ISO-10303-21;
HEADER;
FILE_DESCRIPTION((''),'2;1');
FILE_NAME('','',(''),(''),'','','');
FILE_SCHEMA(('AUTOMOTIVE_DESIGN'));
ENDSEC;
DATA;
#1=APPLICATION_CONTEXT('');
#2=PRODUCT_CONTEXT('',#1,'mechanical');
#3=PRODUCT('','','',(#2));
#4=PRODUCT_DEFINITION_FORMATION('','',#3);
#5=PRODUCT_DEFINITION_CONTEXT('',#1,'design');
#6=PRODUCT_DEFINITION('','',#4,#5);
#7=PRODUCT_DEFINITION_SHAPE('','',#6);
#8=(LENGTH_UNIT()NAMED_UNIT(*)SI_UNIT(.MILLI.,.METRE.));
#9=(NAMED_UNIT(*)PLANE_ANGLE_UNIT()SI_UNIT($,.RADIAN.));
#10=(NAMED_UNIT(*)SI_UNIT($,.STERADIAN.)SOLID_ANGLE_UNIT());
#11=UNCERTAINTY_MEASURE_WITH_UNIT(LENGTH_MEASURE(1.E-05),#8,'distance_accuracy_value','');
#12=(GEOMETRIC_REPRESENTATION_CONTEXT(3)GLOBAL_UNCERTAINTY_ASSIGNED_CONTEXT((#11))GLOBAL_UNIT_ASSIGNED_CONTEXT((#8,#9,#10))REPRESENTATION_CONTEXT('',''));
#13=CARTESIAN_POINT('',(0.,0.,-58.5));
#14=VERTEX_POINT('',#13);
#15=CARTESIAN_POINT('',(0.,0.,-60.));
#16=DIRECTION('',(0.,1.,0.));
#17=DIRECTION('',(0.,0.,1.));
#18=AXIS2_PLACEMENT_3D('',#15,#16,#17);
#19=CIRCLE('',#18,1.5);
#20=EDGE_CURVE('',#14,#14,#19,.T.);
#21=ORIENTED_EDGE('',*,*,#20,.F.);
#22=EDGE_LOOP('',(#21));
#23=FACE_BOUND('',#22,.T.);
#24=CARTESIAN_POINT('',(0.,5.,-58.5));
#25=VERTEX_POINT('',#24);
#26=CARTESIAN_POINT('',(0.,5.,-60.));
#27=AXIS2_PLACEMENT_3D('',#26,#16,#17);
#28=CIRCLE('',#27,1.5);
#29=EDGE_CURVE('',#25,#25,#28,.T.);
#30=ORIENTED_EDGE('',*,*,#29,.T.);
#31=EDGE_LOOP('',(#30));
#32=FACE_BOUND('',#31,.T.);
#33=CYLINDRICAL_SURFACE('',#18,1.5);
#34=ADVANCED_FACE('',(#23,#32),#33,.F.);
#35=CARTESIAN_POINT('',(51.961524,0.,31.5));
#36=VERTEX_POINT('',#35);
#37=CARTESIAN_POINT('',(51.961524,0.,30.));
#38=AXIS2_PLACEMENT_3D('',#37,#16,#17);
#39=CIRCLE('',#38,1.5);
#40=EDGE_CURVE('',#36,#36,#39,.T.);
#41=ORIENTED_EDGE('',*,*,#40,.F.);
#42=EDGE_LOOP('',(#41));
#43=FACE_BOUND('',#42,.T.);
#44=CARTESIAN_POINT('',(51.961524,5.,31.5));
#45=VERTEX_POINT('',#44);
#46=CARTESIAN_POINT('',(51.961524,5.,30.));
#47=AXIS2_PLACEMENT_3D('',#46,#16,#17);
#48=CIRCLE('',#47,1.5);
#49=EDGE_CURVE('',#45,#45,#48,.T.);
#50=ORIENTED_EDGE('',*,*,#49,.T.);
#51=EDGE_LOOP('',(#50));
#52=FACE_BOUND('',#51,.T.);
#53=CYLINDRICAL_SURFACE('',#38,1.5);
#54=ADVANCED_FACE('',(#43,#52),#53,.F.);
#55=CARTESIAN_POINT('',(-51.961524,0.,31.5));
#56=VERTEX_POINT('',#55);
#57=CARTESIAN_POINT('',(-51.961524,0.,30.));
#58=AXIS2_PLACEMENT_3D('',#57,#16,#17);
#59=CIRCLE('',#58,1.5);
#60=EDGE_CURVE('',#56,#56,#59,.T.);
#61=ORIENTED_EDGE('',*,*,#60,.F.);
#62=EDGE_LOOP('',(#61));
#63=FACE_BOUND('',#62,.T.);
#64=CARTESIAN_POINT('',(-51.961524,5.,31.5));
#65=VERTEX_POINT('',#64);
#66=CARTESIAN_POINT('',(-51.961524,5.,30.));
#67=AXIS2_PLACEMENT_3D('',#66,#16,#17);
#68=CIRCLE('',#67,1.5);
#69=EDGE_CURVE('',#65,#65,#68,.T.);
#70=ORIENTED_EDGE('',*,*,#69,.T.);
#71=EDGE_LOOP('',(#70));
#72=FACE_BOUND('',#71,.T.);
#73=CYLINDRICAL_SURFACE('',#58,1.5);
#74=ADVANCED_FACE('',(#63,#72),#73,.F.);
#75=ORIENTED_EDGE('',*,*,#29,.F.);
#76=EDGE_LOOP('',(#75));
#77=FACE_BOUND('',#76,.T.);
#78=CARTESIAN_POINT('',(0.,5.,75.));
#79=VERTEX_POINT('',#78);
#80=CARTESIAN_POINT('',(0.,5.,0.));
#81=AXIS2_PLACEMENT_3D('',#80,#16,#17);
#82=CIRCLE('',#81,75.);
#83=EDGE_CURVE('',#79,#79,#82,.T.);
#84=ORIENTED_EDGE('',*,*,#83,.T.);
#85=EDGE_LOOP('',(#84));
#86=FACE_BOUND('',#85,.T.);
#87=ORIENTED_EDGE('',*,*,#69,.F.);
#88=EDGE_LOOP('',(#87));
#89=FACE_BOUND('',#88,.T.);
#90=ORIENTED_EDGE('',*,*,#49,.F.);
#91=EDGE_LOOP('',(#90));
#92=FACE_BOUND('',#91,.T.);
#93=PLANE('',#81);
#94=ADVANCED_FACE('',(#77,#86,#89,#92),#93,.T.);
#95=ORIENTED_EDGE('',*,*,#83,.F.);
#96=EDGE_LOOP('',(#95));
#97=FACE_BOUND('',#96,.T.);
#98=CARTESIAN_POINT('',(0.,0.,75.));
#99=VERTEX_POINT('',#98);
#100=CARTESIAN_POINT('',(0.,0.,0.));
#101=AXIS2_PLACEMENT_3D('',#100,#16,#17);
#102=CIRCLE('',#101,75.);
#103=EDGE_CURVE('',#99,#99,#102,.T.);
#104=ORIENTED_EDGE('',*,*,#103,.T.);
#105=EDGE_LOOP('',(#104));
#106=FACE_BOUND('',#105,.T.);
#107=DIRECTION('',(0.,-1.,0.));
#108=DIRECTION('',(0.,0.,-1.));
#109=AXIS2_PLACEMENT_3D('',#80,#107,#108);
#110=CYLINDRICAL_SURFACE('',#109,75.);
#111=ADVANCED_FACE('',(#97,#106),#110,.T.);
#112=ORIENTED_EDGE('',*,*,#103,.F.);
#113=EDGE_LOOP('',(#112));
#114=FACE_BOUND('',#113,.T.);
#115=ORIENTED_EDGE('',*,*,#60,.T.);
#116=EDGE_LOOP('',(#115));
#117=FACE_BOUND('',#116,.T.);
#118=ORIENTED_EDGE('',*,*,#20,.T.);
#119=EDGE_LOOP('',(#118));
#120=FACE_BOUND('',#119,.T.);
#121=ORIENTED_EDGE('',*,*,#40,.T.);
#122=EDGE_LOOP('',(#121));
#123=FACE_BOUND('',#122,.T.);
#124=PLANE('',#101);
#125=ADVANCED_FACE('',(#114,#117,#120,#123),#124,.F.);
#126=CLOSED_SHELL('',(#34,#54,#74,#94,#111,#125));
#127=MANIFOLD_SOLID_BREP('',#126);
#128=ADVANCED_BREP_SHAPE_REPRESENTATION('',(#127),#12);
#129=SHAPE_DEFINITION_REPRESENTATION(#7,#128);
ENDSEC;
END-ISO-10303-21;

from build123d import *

# Parameters (mm, degrees)
SKETCH1_R           = 75
BOSS_EXTRUDE1_DEPTH = 5
SKETCH2_R           = 1.5
CUT_EXTRUDE1_DEPTH  = 107.183802908


with BuildPart() as part:
    # Sketch1 → Boss-Extrude1 (new body)
    with BuildSketch(Plane(origin=(0, 0, 0), x_dir=(1, 0, 0), z_dir=(0, 1, 0))):
        with Locations(Location((0, 0, 0), (0, 0, 270))):
            Circle(SKETCH1_R)
    extrude(amount=BOSS_EXTRUDE1_DEPTH)

    # Sketch2 → Cut-Extrude1 (cut, through all)
    with BuildSketch(Plane(origin=(0, 5, 0), x_dir=(1, 0, 0), z_dir=(0, 1, 0))):
        with Locations(Location((0, 60, 0), (0, 0, 270))):
            Circle(SKETCH2_R)
        with Locations(Location((51.961524227, -30, 0), (0, 0, 270))):
            Circle(SKETCH2_R)
        with Locations(Location((-51.961524227, -30, 0), (0, 0, 270))):
            Circle(SKETCH2_R)
    extrude(amount=-CUT_EXTRUDE1_DEPTH, mode=Mode.SUBTRACT)


solid = part.part
